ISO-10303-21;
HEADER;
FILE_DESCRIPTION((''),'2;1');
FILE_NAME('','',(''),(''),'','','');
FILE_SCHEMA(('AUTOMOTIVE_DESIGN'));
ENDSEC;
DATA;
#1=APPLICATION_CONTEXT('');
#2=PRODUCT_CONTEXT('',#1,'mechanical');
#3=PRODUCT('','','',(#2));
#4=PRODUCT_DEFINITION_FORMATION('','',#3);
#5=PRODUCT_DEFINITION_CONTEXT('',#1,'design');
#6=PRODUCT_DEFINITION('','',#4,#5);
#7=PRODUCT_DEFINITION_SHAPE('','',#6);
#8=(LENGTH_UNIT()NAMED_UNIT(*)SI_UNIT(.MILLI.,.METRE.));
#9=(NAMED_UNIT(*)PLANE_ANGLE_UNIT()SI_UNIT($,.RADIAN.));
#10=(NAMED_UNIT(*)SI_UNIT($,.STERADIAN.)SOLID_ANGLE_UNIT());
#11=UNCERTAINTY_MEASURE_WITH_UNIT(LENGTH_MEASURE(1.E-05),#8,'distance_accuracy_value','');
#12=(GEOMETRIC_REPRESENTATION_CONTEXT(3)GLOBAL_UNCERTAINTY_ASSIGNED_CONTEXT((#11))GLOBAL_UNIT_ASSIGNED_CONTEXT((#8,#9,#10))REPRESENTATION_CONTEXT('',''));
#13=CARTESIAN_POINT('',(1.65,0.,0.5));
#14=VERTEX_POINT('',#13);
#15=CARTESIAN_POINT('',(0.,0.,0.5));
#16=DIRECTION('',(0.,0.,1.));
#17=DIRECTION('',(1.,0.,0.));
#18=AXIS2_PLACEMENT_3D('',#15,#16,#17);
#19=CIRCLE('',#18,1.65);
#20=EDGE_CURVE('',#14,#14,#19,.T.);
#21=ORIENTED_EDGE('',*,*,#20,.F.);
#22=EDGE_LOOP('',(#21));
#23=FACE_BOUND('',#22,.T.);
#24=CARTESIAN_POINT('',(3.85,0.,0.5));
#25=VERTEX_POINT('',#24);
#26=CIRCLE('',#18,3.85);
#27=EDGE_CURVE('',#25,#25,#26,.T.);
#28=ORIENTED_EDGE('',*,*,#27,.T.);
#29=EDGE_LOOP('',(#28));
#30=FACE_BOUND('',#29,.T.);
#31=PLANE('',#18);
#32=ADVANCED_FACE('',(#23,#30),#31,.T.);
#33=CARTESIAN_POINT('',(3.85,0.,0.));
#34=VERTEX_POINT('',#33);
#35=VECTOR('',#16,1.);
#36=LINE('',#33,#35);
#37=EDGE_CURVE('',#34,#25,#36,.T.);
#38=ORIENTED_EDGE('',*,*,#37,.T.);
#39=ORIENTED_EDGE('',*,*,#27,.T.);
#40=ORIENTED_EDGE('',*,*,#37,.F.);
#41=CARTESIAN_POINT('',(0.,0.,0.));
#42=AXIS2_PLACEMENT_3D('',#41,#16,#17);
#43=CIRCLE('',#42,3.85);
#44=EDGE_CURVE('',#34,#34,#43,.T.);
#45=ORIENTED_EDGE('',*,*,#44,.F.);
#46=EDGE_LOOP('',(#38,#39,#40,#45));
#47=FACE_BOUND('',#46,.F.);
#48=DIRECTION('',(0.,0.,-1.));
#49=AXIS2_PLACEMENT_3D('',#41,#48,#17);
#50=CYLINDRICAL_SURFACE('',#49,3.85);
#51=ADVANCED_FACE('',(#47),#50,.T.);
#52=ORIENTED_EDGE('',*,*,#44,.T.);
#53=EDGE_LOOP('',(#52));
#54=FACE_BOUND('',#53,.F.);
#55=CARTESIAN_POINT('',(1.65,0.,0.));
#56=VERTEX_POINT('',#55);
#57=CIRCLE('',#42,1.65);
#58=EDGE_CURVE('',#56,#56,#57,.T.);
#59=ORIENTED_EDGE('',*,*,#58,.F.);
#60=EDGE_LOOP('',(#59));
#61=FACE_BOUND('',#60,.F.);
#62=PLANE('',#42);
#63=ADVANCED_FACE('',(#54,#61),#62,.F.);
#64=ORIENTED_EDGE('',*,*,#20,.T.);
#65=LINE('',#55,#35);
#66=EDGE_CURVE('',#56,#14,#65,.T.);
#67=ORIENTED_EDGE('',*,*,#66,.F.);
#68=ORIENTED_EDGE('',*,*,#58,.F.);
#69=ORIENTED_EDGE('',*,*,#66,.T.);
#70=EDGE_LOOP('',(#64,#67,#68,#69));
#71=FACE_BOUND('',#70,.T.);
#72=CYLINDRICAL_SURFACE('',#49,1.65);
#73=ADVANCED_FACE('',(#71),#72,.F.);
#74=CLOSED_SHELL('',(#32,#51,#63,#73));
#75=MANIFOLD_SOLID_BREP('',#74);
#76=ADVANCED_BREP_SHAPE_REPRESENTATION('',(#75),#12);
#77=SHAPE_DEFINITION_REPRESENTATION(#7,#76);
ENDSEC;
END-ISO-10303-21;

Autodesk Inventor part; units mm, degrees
ref_plane "YZ Plane" through (0, 0, 0) normal (1, 0, 0) x (0, 1, 0)
ref_plane "XZ Plane" through (0, 0, 0) normal (0, 1, 0) x (-1, 0, 0)
ref_plane "XY Plane" through (0, 0, 0) normal (0, 0, 1) x (1, 0, 0)
sketch "スケッチ1" plane through (0, 0, 0) normal (0, 0, 1) x (1, 0, 0)
  circle A0 centre (0, 0) radius 3.85
  circle A1 centre (0, 0) radius 1.65
  dimension "d0" = 7.7
  dimension "d1" = 3.3
extrude "押し出し1" add sketch "スケッチ1" along normal blind 0.5
properties part number "washer_M3" material "ステンレス鋼"
